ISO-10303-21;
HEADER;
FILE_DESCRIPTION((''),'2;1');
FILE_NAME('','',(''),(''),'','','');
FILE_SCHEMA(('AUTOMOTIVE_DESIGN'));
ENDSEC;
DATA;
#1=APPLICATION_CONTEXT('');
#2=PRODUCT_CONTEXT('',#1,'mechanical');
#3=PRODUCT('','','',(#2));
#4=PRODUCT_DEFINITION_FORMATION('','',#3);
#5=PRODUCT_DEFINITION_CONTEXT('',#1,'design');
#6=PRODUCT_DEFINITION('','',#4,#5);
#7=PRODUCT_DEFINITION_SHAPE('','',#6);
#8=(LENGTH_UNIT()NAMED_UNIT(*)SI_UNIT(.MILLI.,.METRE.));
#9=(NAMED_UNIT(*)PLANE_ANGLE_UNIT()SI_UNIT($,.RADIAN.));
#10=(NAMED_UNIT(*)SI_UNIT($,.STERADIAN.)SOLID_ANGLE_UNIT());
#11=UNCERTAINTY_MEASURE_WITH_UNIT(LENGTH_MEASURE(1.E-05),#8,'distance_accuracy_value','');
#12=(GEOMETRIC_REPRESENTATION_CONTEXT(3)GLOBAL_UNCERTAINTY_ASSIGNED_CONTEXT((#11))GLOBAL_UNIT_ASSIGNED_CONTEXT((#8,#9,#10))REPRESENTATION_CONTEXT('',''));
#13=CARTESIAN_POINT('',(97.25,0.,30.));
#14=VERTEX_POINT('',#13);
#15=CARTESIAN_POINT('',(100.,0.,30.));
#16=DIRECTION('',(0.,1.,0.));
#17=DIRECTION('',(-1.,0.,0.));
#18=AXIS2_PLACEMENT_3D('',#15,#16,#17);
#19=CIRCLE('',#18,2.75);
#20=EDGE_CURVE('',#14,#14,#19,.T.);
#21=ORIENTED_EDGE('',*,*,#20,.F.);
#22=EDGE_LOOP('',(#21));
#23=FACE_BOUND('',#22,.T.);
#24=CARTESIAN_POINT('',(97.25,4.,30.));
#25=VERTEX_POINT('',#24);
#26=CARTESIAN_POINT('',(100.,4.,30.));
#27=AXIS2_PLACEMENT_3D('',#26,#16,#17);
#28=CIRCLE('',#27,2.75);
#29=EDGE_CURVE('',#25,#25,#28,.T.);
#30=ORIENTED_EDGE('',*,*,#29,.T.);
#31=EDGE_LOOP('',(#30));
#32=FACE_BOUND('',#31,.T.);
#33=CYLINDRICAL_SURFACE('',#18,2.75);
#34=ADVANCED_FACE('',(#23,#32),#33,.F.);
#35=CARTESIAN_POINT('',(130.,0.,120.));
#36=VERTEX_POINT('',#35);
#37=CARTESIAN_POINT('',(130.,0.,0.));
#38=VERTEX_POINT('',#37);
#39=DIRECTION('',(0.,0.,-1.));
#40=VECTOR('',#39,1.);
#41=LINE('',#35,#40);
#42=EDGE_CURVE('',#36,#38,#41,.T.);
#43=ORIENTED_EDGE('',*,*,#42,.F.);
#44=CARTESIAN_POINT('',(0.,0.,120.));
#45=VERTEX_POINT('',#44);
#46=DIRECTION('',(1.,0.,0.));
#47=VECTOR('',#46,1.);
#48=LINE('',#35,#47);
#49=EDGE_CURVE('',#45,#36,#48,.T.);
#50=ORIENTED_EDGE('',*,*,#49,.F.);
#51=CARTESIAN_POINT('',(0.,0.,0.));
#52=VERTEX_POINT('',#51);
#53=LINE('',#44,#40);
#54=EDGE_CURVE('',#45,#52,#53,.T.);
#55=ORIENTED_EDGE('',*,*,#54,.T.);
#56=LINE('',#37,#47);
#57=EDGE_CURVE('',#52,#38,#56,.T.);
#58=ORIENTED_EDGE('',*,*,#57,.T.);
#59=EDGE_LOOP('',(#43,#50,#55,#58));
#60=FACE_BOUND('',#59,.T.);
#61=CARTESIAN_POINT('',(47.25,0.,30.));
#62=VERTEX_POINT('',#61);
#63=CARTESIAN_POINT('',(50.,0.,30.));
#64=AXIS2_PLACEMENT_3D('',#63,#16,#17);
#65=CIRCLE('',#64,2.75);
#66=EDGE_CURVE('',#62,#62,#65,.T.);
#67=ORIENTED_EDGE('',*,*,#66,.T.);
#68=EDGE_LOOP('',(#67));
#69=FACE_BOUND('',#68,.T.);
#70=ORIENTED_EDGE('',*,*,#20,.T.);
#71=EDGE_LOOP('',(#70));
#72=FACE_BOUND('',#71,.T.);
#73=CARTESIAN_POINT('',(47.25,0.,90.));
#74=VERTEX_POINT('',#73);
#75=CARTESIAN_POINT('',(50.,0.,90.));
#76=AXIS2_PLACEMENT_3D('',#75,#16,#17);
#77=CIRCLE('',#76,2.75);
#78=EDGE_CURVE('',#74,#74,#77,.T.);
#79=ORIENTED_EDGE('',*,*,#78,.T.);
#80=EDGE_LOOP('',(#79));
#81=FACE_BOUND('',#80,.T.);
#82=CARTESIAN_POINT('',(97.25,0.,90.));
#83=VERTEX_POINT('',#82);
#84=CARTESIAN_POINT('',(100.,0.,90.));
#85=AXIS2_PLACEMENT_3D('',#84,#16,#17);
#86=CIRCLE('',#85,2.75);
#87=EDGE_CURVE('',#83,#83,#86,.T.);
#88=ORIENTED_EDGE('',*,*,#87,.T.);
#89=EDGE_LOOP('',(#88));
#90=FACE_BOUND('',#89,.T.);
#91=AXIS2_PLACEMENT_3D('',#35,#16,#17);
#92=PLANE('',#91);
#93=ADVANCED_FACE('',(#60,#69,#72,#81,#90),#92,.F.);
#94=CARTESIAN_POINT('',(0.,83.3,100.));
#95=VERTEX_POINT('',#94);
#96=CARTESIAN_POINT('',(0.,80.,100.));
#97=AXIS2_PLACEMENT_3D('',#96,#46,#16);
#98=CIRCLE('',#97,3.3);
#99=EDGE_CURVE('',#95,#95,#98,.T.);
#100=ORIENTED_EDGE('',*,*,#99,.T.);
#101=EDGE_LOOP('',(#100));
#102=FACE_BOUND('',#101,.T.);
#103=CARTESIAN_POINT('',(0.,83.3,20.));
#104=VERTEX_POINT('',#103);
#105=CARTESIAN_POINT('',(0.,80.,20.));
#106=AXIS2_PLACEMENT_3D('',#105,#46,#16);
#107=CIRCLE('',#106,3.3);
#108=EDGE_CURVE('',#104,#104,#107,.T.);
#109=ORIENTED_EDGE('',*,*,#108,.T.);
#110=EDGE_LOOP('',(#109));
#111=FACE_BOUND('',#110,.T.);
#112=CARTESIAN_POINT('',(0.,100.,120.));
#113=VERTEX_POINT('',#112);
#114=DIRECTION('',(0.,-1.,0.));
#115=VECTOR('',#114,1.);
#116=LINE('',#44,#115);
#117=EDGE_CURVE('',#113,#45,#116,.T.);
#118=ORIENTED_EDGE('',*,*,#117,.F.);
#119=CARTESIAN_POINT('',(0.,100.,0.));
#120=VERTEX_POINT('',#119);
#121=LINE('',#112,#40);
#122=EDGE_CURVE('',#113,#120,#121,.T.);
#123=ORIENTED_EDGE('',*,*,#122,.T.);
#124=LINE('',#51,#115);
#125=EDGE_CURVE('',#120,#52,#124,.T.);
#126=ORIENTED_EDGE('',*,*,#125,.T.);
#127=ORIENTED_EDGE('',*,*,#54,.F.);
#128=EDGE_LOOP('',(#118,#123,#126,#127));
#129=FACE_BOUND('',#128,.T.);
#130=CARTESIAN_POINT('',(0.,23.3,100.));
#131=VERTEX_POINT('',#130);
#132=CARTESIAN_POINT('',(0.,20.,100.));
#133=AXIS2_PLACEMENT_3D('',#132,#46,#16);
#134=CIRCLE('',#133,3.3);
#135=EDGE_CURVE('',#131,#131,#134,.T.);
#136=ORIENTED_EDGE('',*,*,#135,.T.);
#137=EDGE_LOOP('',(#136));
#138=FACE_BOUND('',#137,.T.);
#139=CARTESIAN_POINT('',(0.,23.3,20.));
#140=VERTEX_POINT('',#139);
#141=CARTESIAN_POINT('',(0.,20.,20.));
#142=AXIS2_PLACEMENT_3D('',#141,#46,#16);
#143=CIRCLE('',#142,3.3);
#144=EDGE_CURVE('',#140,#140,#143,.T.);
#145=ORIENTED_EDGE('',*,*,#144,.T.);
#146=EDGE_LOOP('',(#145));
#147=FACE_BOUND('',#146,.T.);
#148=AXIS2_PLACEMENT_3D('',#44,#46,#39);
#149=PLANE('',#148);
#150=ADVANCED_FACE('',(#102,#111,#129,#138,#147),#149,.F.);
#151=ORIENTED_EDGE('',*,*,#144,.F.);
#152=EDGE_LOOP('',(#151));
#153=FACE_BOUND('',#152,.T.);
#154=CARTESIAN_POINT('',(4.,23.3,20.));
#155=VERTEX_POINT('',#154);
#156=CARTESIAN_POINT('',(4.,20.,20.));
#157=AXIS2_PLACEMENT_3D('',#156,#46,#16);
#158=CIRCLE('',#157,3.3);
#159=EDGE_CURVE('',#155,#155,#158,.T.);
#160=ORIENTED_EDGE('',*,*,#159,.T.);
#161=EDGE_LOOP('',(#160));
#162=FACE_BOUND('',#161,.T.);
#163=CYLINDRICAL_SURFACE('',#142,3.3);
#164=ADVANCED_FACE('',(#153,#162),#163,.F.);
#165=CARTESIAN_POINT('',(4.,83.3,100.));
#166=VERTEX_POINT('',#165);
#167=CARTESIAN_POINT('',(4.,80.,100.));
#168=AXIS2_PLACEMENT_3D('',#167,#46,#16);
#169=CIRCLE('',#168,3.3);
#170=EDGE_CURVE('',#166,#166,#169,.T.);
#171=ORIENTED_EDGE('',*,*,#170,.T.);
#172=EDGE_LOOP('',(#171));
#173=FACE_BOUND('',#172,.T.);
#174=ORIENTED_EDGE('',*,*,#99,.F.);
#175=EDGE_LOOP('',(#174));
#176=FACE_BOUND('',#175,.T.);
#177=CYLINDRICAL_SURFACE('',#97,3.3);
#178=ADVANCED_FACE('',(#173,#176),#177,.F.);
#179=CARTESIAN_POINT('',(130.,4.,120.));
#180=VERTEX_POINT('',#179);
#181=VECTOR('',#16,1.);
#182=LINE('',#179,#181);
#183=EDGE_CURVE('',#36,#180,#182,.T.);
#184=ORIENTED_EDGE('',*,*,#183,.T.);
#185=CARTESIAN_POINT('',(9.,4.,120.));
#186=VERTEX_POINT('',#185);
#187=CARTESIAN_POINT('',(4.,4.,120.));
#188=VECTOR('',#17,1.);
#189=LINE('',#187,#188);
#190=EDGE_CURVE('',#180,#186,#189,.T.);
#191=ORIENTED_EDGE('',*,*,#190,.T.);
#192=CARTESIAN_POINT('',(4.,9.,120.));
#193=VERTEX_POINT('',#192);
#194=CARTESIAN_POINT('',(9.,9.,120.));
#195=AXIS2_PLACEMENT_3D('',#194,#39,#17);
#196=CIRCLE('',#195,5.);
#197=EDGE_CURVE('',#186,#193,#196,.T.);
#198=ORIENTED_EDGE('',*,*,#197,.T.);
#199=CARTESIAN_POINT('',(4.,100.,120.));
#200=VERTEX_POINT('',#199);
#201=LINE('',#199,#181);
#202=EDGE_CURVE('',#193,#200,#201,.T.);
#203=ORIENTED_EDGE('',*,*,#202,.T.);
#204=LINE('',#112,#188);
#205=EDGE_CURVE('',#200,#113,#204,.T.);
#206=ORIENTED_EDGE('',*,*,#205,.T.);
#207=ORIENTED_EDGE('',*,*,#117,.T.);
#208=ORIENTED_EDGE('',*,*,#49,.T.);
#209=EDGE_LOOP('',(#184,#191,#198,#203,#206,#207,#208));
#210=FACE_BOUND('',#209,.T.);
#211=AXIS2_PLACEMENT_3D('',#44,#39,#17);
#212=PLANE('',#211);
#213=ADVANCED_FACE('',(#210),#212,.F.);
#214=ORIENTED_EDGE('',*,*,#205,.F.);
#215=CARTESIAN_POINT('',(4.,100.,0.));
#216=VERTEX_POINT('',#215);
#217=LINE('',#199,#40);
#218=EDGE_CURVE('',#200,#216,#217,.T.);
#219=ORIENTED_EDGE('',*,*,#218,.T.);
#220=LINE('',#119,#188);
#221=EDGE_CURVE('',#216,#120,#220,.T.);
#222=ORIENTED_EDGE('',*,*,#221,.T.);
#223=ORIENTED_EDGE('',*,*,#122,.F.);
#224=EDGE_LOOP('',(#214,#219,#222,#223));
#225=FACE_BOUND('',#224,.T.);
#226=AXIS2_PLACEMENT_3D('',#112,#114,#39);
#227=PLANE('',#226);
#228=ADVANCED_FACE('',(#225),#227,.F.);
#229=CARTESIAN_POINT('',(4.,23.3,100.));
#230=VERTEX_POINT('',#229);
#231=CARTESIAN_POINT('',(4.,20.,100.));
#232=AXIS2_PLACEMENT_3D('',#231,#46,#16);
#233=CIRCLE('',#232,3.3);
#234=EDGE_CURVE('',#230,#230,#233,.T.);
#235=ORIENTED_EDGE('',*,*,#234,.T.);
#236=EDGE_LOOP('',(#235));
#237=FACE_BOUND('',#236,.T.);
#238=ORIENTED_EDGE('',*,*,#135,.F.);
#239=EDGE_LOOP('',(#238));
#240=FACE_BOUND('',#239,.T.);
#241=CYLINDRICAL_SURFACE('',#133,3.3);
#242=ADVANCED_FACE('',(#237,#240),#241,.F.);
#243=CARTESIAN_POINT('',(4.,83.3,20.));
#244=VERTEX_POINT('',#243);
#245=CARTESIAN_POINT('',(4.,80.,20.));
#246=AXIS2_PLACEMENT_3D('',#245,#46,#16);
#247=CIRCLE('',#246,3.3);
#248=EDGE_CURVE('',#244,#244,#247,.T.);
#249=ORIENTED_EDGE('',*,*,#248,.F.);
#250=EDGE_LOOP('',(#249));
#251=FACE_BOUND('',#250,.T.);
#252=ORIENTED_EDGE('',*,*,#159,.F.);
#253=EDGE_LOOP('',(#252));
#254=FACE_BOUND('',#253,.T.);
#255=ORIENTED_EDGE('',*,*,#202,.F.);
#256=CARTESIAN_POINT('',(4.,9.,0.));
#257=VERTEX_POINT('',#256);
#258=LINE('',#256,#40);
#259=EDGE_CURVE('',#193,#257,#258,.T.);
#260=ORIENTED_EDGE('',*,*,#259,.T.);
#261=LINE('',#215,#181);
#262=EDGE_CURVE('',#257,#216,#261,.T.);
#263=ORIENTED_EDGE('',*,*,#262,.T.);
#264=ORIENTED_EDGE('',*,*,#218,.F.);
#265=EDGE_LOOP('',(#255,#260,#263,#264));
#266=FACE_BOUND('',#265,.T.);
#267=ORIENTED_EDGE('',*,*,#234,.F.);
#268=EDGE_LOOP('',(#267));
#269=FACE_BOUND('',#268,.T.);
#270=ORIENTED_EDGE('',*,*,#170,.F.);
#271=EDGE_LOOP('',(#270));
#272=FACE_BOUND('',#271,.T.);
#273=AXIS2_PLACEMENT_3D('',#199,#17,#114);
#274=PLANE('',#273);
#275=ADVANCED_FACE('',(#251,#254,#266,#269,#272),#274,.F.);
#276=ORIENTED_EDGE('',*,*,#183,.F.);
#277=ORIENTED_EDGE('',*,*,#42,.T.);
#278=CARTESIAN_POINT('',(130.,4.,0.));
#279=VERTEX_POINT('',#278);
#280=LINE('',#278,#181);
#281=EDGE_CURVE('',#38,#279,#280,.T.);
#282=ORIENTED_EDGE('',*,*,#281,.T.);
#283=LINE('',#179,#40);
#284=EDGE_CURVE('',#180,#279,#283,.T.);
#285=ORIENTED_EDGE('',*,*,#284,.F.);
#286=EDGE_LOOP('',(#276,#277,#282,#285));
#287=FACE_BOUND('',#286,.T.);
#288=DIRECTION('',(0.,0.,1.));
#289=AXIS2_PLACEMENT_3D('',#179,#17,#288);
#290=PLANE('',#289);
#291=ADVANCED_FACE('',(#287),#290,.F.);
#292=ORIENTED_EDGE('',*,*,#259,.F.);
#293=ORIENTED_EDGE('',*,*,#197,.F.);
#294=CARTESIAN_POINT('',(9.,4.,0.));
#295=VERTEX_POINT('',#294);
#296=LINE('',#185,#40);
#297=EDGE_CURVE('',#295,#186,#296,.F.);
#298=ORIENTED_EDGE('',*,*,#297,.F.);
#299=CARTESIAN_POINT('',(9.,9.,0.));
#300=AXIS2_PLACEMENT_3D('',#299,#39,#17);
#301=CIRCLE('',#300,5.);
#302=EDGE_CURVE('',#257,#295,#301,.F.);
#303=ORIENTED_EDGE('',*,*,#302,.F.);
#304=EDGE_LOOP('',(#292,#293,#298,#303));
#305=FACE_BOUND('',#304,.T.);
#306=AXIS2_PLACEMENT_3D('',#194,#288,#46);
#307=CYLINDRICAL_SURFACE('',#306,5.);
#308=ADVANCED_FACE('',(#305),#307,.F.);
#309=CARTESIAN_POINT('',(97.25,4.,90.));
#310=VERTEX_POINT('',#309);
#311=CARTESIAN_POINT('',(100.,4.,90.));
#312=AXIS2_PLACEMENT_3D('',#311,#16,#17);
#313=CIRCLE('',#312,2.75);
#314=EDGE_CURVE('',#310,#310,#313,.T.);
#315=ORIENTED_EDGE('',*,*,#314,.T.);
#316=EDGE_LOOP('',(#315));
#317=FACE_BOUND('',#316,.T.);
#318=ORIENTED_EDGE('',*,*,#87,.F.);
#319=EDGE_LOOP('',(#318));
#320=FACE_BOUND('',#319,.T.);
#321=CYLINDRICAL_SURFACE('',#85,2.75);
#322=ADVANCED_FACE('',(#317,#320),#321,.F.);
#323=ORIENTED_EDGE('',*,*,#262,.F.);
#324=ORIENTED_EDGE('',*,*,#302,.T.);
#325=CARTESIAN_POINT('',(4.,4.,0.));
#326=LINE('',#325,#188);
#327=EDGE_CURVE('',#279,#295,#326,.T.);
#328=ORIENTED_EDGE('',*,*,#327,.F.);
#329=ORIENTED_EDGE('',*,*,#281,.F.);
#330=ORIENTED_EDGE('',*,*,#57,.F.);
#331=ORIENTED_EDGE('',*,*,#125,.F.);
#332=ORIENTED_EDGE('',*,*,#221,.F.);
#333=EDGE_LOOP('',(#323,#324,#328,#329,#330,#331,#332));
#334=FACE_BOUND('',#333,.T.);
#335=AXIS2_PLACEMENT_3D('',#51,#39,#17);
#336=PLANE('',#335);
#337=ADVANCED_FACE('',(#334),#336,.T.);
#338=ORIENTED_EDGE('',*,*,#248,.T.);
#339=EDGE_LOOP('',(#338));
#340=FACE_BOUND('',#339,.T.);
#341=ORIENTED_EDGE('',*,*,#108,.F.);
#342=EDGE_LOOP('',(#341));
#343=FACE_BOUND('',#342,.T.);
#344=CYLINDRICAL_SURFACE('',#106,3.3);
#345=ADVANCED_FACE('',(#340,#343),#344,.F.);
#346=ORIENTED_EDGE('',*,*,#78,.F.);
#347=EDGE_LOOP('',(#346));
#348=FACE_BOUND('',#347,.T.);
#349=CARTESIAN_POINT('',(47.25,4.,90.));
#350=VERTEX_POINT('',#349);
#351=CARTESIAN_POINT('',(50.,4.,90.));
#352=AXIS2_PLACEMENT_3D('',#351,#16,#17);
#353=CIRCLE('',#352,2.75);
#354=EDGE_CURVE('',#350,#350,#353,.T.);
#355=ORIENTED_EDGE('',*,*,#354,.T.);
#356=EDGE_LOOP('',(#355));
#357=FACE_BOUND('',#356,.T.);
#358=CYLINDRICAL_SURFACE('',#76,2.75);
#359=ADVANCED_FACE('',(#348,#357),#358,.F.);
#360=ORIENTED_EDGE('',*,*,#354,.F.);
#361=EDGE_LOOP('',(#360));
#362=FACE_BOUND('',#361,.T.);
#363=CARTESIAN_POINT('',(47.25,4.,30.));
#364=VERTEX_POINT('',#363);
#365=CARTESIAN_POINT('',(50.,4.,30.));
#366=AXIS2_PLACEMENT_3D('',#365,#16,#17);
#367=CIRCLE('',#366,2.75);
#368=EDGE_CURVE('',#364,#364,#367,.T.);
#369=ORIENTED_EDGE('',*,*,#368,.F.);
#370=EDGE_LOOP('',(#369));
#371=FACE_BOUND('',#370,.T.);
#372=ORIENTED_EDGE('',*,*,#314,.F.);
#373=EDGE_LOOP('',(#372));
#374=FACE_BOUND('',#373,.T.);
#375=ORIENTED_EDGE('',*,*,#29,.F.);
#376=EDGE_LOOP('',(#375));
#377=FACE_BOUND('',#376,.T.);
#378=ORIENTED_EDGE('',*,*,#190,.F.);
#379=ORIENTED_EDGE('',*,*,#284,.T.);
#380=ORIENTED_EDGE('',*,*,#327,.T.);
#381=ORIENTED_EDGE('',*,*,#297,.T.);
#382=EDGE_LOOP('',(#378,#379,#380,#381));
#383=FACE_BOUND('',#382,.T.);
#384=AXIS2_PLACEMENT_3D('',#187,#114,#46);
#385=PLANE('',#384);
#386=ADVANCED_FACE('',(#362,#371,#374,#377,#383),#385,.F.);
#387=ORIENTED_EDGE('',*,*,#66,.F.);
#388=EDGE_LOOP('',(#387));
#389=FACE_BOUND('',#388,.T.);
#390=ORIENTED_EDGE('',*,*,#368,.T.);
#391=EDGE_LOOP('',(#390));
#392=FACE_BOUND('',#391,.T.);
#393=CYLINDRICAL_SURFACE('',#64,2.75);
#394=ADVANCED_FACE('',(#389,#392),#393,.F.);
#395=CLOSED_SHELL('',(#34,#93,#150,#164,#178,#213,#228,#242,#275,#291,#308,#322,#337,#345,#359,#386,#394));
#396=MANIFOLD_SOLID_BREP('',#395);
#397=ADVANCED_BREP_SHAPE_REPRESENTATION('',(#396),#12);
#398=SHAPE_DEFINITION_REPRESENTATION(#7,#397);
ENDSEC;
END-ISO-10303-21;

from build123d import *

# Parameters (mm, degrees)
BOSS_EXTRUDE1_DEPTH = 120
SKETCH4_R           = 3.3
CUT_EXTRUDE1_DEPTH  = 201.688813839
SKETCH5_R           = 2.75
CUT_EXTRUDE2_DEPTH  = 202.285866369
FILLET1_R           = 5


with BuildPart() as part:
    # Sketch2 → Boss-Extrude1 (new body)
    with BuildSketch(Plane.XY):
        Polygon((0, 0), (0, 100), (4, 100), (4, 4), (130, 4), (130, 0), align=None)
    extrude(amount=BOSS_EXTRUDE1_DEPTH)

    # Sketch4 → Cut-Extrude1 (cut, through all)
    with BuildSketch(Plane(origin=(4, 0, 0), x_dir=(0, 0, -1), z_dir=(1, 0, 0))):
        with Locations(Location((-100, 80, 0), (0, 0, 90))):
            Circle(SKETCH4_R)
        with Locations(Location((-20, 80, 0), (0, 0, 90))):
            Circle(SKETCH4_R)
        with Locations(Location((-20, 20, 0), (0, 0, 90))):
            Circle(SKETCH4_R)
        with Locations(Location((-100, 20, 0), (0, 0, 90))):
            Circle(SKETCH4_R)
    extrude(amount=-CUT_EXTRUDE1_DEPTH, mode=Mode.SUBTRACT)

    # Sketch5 → Cut-Extrude2 (cut, through all)
    with BuildSketch(Plane(origin=(0, 4, 0), x_dir=(1, 0, 0), z_dir=(0, 1, 0))):
        with Locations(Location((100, -30, 0), (0, 0, 180))):
            Circle(SKETCH5_R)
        with Locations(Location((50, -30, 0), (0, 0, 180))):
            Circle(SKETCH5_R)
        with Locations(Location((50, -90, 0), (0, 0, 180))):
            Circle(SKETCH5_R)
        with Locations(Location((100, -90, 0), (0, 0, 180))):
            Circle(SKETCH5_R)
    extrude(amount=-CUT_EXTRUDE2_DEPTH, mode=Mode.SUBTRACT)

    # Fillet1
    fillet1_edges = [part.edges().sort_by_distance(p)[0] for p in [
        (4, 4, 60),
    ]]
    fillet(fillet1_edges, radius=FILLET1_R)


solid = part.part
